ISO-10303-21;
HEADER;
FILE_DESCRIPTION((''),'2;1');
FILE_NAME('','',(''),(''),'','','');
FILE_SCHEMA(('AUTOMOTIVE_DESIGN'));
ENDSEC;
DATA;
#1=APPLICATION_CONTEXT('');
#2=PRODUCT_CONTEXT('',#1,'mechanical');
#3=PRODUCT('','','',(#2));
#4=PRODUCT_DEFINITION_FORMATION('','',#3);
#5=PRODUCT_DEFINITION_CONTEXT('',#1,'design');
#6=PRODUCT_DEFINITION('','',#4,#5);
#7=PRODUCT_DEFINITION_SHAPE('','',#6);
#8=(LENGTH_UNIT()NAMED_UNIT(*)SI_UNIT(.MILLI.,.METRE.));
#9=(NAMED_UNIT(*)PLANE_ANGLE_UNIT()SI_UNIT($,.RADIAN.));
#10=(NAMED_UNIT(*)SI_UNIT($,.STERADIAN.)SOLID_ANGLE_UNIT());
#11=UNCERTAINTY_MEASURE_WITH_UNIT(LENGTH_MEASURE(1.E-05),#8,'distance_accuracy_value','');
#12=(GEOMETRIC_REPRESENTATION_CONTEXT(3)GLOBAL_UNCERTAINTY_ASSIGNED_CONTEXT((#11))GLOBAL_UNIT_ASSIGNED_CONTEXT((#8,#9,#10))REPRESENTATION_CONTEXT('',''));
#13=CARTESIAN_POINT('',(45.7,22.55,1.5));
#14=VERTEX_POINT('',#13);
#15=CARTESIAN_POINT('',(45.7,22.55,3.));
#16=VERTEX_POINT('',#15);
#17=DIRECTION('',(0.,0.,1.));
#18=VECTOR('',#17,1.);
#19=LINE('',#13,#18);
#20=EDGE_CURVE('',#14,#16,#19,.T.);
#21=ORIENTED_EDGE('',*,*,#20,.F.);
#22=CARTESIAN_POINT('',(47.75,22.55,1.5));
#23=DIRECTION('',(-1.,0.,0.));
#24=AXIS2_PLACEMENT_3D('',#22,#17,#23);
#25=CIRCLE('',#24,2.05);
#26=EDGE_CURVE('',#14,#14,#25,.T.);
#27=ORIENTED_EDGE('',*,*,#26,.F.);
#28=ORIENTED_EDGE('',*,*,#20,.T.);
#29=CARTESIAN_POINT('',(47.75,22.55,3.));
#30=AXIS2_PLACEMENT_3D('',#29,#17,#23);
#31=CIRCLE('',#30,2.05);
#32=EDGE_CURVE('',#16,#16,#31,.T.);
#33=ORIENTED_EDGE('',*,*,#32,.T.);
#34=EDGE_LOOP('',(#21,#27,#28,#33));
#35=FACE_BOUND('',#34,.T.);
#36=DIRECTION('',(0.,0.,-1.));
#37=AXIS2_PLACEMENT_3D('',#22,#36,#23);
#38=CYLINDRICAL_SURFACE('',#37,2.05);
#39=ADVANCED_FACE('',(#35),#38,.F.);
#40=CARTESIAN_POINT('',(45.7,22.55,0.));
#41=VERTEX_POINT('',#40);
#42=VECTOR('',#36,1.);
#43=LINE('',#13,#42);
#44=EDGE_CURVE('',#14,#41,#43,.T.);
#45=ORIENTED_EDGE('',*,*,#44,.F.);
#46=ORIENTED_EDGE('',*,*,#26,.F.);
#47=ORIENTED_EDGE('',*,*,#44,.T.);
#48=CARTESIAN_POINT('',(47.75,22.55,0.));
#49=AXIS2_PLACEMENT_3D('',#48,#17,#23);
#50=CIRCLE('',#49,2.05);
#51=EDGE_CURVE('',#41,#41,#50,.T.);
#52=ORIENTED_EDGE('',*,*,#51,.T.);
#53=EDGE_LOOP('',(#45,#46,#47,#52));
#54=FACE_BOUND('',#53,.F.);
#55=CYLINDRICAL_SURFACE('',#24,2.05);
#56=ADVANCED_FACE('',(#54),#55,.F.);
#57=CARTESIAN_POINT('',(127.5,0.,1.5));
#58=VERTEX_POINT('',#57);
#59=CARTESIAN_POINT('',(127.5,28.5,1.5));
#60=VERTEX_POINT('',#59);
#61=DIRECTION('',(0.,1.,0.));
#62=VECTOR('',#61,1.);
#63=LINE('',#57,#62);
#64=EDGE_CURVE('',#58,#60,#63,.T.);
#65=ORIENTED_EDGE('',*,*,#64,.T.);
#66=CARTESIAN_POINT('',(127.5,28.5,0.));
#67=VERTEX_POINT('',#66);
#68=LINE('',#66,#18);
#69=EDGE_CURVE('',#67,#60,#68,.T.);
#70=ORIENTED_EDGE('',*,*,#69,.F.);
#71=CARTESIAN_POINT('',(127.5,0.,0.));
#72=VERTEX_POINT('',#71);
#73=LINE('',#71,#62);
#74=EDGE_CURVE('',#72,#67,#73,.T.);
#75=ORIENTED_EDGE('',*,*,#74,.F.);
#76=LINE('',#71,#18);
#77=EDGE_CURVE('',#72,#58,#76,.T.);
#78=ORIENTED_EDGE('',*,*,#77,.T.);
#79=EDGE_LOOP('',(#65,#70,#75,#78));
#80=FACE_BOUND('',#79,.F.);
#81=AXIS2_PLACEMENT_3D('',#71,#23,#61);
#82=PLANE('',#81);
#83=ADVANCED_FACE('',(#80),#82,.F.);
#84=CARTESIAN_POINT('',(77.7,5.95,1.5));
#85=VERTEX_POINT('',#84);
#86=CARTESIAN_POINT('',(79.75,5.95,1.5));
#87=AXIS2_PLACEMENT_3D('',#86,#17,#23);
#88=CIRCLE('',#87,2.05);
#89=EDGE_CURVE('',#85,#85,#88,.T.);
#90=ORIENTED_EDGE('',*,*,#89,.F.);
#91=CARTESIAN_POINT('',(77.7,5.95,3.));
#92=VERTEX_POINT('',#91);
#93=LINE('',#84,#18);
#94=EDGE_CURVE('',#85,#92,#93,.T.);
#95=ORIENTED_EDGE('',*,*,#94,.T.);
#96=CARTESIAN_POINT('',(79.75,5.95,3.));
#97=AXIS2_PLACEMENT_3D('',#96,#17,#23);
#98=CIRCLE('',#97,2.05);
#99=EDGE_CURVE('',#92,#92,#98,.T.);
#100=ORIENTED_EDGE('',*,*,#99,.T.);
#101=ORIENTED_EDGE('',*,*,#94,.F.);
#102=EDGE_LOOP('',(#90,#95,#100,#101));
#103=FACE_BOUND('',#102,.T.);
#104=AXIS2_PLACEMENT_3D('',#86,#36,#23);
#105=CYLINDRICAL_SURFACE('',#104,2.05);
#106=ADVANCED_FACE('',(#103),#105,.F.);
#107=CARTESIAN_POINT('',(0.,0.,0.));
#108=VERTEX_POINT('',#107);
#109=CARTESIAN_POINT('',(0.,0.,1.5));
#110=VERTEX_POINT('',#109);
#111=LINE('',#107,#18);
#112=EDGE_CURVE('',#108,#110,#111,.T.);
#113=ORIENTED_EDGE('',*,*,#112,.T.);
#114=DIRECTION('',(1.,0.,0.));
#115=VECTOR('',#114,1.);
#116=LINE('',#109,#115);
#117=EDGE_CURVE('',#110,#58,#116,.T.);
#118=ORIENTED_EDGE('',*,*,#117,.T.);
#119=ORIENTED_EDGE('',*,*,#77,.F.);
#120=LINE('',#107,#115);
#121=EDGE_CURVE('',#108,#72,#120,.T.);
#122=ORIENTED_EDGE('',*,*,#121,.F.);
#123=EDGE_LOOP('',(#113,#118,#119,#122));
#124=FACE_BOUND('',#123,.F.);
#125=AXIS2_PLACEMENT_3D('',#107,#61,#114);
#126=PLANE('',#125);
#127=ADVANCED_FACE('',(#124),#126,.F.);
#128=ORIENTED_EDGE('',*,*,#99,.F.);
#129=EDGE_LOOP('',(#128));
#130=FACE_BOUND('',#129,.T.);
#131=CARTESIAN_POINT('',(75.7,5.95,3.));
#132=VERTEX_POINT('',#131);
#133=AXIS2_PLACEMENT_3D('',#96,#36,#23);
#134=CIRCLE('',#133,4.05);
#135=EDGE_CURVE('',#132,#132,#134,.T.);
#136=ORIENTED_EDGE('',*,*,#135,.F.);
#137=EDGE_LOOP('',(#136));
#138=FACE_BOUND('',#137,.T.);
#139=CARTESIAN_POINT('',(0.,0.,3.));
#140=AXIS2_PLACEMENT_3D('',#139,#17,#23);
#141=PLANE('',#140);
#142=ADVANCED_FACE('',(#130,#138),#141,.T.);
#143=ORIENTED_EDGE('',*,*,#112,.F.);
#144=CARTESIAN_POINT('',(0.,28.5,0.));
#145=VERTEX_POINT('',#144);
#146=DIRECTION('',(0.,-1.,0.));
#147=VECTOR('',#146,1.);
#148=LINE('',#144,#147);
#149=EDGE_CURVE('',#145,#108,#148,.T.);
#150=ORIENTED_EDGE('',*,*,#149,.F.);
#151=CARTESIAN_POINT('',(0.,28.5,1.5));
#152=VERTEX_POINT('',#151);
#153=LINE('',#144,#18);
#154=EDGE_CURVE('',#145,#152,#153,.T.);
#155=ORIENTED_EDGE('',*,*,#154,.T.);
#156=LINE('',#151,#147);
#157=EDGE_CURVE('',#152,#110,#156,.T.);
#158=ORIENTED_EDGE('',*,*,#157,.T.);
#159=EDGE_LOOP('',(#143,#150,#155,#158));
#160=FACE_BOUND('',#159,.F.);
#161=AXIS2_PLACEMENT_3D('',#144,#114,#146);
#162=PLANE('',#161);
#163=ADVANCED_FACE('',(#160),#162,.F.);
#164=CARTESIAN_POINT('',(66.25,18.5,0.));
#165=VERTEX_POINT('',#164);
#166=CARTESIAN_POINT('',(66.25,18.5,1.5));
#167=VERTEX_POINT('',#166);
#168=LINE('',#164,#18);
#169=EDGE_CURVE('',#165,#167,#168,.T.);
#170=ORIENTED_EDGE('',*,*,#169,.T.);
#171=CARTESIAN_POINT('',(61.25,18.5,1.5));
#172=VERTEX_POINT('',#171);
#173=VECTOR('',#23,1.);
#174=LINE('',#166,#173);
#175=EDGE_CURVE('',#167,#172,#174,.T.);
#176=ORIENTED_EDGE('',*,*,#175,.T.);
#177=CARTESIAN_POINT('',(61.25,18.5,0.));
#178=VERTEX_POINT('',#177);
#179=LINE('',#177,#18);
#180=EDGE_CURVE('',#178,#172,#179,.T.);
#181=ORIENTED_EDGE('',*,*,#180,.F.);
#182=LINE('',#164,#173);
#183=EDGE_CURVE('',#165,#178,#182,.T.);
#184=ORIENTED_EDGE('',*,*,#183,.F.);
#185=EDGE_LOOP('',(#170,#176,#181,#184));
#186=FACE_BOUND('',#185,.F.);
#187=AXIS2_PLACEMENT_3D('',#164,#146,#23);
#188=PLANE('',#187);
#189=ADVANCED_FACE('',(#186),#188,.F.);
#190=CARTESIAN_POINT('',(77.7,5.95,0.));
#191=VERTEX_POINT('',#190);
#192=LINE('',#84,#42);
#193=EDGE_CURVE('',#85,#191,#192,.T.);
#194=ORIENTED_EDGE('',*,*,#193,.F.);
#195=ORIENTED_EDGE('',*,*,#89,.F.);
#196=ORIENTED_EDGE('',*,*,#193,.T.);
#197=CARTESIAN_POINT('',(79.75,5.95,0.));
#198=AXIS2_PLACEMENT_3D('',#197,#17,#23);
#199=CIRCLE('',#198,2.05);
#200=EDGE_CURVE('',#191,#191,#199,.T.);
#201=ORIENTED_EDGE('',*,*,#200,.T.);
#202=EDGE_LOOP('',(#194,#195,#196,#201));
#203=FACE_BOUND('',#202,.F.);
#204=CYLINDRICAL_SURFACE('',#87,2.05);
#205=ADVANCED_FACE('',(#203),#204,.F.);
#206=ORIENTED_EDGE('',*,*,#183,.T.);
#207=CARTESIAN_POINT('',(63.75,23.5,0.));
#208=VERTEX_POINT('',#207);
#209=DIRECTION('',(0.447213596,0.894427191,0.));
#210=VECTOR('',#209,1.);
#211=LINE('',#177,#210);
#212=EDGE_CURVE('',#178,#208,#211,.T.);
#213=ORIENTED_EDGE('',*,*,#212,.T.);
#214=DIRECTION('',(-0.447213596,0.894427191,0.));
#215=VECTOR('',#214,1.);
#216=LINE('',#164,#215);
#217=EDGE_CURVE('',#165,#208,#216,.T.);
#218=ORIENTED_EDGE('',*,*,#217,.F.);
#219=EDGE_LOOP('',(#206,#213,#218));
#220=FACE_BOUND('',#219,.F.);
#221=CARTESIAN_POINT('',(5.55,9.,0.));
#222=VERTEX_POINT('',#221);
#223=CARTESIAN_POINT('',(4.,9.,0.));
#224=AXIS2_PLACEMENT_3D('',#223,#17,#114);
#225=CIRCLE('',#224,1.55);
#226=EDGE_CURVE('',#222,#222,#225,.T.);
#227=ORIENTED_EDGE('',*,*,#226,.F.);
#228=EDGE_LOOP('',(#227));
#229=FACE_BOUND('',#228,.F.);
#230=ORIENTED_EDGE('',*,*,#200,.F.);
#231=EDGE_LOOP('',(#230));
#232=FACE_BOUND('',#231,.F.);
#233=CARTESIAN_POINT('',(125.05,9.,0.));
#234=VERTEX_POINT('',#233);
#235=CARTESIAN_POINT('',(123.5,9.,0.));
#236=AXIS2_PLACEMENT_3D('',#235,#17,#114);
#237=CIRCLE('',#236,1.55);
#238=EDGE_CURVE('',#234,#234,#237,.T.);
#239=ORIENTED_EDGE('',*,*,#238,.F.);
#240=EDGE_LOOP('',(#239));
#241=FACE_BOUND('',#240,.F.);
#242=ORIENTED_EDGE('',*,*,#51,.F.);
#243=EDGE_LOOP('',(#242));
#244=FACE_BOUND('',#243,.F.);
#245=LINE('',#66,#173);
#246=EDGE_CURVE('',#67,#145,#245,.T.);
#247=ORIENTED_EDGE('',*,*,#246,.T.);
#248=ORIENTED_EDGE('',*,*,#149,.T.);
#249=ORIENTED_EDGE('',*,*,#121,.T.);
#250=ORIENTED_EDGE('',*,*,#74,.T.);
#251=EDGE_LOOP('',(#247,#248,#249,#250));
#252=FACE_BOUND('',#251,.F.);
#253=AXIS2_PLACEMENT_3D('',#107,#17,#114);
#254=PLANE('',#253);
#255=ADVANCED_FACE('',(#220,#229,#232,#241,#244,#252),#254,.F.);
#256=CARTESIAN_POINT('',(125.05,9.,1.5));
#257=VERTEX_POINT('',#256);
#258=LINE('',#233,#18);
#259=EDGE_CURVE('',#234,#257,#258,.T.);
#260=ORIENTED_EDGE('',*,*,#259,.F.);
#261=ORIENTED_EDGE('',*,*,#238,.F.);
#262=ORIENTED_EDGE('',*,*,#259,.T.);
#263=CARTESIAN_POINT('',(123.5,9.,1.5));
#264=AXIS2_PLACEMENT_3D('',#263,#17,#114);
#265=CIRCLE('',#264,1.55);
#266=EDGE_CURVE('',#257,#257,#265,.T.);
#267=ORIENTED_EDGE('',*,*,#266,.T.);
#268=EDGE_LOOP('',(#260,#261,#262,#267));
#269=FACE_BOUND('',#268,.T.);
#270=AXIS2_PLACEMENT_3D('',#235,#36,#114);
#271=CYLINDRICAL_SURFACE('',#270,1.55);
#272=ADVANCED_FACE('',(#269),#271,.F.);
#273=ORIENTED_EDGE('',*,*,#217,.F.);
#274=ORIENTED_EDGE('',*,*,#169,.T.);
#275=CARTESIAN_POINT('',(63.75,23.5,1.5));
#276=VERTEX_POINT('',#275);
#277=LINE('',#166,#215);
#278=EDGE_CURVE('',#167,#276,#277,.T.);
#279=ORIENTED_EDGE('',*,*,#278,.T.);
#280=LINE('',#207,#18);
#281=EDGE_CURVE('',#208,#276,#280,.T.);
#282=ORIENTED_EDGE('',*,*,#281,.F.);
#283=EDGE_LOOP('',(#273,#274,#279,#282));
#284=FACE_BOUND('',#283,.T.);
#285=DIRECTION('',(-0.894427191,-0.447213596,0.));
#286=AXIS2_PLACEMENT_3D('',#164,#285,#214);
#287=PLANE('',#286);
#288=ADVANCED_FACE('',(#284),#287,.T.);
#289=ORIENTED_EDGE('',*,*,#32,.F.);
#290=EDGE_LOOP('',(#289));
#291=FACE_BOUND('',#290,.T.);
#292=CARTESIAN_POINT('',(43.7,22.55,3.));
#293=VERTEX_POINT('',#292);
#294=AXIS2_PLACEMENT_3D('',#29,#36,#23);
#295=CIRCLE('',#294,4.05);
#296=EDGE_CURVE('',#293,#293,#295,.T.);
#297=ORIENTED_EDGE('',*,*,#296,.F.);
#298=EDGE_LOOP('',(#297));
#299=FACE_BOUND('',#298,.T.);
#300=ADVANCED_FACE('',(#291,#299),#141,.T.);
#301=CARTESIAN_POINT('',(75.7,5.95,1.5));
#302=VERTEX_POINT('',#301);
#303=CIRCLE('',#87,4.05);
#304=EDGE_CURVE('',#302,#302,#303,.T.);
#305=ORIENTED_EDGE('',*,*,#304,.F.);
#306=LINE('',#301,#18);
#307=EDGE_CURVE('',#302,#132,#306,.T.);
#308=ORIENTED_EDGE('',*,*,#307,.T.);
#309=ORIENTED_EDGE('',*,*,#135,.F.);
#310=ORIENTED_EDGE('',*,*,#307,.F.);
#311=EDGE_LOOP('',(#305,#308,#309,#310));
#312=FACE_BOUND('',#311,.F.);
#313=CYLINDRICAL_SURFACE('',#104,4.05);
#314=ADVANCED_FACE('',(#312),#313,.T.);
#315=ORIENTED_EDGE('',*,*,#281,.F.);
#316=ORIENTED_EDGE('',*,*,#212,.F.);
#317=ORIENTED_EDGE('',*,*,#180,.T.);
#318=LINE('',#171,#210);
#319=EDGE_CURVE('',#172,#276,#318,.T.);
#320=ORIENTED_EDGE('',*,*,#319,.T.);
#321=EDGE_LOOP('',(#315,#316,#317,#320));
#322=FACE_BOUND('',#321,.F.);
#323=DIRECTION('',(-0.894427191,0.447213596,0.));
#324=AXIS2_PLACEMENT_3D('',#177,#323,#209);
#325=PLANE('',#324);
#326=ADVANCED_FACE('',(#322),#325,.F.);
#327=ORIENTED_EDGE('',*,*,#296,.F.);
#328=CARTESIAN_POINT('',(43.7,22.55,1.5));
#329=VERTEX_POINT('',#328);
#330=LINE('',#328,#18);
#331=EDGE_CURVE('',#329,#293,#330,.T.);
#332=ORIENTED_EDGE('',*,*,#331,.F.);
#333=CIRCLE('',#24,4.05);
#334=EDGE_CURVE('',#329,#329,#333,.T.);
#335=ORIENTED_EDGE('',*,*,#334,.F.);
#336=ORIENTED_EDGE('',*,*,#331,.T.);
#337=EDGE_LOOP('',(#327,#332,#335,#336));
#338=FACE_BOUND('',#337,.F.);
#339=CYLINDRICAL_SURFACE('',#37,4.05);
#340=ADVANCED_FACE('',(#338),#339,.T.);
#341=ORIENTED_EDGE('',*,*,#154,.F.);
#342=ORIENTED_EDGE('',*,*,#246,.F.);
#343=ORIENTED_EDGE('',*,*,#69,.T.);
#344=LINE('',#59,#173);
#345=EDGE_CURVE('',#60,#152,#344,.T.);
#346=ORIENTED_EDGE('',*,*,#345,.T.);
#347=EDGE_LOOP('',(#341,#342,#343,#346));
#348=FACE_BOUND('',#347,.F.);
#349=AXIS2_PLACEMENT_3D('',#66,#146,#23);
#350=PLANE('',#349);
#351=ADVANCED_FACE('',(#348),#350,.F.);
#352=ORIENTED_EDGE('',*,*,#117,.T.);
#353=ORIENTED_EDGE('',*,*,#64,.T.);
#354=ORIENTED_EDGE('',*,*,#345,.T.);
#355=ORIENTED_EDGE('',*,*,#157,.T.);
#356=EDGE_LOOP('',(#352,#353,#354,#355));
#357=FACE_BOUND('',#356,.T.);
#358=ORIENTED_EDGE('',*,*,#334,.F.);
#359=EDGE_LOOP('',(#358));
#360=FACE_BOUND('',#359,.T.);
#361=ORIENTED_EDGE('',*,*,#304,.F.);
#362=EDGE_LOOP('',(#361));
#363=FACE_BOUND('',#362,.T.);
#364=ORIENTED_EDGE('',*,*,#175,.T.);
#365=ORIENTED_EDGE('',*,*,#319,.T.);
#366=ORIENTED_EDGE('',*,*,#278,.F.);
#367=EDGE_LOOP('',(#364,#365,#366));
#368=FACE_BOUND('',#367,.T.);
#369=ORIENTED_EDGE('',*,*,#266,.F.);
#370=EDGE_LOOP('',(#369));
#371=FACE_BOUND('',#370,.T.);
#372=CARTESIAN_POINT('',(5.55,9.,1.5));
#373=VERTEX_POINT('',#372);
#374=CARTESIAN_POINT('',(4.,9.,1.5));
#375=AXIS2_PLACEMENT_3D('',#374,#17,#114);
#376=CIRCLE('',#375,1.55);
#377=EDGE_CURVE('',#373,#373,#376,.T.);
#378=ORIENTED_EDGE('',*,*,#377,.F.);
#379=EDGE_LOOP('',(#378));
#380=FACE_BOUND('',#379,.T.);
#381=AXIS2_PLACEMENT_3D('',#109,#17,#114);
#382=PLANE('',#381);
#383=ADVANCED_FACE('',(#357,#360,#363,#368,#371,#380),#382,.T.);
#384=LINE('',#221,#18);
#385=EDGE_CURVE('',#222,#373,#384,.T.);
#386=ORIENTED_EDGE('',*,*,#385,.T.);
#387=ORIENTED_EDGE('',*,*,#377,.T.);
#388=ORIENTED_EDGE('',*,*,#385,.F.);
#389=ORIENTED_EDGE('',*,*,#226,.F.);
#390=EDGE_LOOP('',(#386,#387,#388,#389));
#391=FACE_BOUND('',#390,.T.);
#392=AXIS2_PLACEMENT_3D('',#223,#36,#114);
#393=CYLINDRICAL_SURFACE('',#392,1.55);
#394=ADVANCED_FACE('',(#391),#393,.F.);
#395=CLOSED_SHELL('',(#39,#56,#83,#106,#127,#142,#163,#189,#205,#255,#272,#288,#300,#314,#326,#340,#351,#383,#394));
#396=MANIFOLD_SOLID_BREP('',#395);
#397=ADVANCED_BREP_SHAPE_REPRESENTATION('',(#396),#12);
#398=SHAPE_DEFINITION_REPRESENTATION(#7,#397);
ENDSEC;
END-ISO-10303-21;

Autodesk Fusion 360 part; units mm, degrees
sketch "Sketch1" plane through (0, 0, 0) normal (0, 0, 1) x (1, 0, 0)
  line L0 (0, 0) -> (127.5, 0)
  line L1 (127.5, 0) -> (127.5, 28.5)
  line L2 (127.5, 28.5) -> (0, 28.5)
  line L3 (0, 28.5) -> (0, 0)
  circle A0 centre (4, 9) radius 1.55
  line L4 (63.75, 0) -> (63.75, 28.5) construction
  circle A1 centre (123.5, 9) radius 1.55
  line L5 (66.25, 18.5) -> (61.25, 18.5)
  line L6 (61.25, 18.5) -> (61.25, 23.5)
  line L7 (61.25, 23.5) -> (66.25, 23.5)
  line L8 (66.25, 23.5) -> (66.25, 18.5)
  line L9 (66.25, 18.5) -> (61.25, 23.5) construction
  line L10 (61.25, 18.5) -> (66.25, 23.5) construction
  line L11 (61.25, 18.5) -> (63.75, 23.5)
  line L12 (66.25, 18.5) -> (63.75, 23.5)
  point P0 (63.75, 21)
  dimension "d1" = 127.5
  dimension "d2" = 28.5
  dimension "d3" = 3.1
  dimension "d4" = 9
  dimension "d5" = 4
  dimension "d11" = 5
  dimension "d12" = 5
  dimension "d13" = 5
extrude "Extrude1" add sketch "Sketch1" along normal blind 1.5 contours L0 L1 L2 L3 | L7 L8 L12 | L6 L7 L11
sketch "Sketch2" plane through (0, 0, 1.5) normal (0, 0, 1) x (-1, 0, 0)
  circle A0 centre (-123.5, -9) radius 1.55
  circle A1 centre (-4, -9) radius 1.55
  line L0 (-66.25, -18.5) -> (-61.25, -18.5)
  line L1 (-61.25, -18.5) -> (-63.75, -23.5)
  line L2 (-63.75, -23.5) -> (-66.25, -18.5)
  line L3 (0, -28.5) -> (0, 0)
  line L4 (0, 0) -> (-127.5, 0)
  line L5 (-127.5, 0) -> (-127.5, -28.5)
  line L6 (-127.5, -28.5) -> (0, -28.5)
  line L7 (-63.75, -28.5) -> (-63.75, 0) construction
  line L8 (-87.75, -2.75) -> (-39.75, -2.75)
  line L9 (-39.75, -2.75) -> (-39.75, -25.75)
  line L10 (-39.75, -25.75) -> (-87.75, -25.75)
  line L11 (-87.75, -25.75) -> (-87.75, -2.75)
  line L12 (-87.75, -2.75) -> (-39.75, -25.75) construction
  line L13 (-39.75, -2.75) -> (-87.75, -25.75) construction
  circle A2 centre (-47.75, -22.55) radius 2.05
  circle A3 centre (-47.75, -22.55) radius 4.05
  circle A4 centre (-79.75, -5.95) radius 2.05
  circle A5 centre (-79.75, -5.95) radius 4.05
  point P0 (-63.75, -14.25)
  dimension "d14" = 48
  dimension "d15" = 23
  dimension "d18" = 8
  dimension "d19" = 3.2
  dimension "d20" = 4.1
  dimension "d21" = 8.1
  dimension "d22" = 4.1
  dimension "d23" = 8.1
  dimension "d24" = 8
  dimension "d25" = 3.2
extrude "Extrude2" add sketch "Sketch2" along normal blind 1.5 contours L8 A5 | L8 A5 | L10 A3 | L10 A3
extrude "Extrude3" cut sketch "Sketch2" against normal blind 1.5 contours A2 | A4
equation "d1 = 134 mm - 6 mm - 0.5 mm"
equation "d4 = 10.5 mm - 1.5 mm"
equation "d5 = 7 mm - 3 mm"
equation "d21 = d20 + 4 mm"
equation "d22 = d20"
equation "d23 = d21"
